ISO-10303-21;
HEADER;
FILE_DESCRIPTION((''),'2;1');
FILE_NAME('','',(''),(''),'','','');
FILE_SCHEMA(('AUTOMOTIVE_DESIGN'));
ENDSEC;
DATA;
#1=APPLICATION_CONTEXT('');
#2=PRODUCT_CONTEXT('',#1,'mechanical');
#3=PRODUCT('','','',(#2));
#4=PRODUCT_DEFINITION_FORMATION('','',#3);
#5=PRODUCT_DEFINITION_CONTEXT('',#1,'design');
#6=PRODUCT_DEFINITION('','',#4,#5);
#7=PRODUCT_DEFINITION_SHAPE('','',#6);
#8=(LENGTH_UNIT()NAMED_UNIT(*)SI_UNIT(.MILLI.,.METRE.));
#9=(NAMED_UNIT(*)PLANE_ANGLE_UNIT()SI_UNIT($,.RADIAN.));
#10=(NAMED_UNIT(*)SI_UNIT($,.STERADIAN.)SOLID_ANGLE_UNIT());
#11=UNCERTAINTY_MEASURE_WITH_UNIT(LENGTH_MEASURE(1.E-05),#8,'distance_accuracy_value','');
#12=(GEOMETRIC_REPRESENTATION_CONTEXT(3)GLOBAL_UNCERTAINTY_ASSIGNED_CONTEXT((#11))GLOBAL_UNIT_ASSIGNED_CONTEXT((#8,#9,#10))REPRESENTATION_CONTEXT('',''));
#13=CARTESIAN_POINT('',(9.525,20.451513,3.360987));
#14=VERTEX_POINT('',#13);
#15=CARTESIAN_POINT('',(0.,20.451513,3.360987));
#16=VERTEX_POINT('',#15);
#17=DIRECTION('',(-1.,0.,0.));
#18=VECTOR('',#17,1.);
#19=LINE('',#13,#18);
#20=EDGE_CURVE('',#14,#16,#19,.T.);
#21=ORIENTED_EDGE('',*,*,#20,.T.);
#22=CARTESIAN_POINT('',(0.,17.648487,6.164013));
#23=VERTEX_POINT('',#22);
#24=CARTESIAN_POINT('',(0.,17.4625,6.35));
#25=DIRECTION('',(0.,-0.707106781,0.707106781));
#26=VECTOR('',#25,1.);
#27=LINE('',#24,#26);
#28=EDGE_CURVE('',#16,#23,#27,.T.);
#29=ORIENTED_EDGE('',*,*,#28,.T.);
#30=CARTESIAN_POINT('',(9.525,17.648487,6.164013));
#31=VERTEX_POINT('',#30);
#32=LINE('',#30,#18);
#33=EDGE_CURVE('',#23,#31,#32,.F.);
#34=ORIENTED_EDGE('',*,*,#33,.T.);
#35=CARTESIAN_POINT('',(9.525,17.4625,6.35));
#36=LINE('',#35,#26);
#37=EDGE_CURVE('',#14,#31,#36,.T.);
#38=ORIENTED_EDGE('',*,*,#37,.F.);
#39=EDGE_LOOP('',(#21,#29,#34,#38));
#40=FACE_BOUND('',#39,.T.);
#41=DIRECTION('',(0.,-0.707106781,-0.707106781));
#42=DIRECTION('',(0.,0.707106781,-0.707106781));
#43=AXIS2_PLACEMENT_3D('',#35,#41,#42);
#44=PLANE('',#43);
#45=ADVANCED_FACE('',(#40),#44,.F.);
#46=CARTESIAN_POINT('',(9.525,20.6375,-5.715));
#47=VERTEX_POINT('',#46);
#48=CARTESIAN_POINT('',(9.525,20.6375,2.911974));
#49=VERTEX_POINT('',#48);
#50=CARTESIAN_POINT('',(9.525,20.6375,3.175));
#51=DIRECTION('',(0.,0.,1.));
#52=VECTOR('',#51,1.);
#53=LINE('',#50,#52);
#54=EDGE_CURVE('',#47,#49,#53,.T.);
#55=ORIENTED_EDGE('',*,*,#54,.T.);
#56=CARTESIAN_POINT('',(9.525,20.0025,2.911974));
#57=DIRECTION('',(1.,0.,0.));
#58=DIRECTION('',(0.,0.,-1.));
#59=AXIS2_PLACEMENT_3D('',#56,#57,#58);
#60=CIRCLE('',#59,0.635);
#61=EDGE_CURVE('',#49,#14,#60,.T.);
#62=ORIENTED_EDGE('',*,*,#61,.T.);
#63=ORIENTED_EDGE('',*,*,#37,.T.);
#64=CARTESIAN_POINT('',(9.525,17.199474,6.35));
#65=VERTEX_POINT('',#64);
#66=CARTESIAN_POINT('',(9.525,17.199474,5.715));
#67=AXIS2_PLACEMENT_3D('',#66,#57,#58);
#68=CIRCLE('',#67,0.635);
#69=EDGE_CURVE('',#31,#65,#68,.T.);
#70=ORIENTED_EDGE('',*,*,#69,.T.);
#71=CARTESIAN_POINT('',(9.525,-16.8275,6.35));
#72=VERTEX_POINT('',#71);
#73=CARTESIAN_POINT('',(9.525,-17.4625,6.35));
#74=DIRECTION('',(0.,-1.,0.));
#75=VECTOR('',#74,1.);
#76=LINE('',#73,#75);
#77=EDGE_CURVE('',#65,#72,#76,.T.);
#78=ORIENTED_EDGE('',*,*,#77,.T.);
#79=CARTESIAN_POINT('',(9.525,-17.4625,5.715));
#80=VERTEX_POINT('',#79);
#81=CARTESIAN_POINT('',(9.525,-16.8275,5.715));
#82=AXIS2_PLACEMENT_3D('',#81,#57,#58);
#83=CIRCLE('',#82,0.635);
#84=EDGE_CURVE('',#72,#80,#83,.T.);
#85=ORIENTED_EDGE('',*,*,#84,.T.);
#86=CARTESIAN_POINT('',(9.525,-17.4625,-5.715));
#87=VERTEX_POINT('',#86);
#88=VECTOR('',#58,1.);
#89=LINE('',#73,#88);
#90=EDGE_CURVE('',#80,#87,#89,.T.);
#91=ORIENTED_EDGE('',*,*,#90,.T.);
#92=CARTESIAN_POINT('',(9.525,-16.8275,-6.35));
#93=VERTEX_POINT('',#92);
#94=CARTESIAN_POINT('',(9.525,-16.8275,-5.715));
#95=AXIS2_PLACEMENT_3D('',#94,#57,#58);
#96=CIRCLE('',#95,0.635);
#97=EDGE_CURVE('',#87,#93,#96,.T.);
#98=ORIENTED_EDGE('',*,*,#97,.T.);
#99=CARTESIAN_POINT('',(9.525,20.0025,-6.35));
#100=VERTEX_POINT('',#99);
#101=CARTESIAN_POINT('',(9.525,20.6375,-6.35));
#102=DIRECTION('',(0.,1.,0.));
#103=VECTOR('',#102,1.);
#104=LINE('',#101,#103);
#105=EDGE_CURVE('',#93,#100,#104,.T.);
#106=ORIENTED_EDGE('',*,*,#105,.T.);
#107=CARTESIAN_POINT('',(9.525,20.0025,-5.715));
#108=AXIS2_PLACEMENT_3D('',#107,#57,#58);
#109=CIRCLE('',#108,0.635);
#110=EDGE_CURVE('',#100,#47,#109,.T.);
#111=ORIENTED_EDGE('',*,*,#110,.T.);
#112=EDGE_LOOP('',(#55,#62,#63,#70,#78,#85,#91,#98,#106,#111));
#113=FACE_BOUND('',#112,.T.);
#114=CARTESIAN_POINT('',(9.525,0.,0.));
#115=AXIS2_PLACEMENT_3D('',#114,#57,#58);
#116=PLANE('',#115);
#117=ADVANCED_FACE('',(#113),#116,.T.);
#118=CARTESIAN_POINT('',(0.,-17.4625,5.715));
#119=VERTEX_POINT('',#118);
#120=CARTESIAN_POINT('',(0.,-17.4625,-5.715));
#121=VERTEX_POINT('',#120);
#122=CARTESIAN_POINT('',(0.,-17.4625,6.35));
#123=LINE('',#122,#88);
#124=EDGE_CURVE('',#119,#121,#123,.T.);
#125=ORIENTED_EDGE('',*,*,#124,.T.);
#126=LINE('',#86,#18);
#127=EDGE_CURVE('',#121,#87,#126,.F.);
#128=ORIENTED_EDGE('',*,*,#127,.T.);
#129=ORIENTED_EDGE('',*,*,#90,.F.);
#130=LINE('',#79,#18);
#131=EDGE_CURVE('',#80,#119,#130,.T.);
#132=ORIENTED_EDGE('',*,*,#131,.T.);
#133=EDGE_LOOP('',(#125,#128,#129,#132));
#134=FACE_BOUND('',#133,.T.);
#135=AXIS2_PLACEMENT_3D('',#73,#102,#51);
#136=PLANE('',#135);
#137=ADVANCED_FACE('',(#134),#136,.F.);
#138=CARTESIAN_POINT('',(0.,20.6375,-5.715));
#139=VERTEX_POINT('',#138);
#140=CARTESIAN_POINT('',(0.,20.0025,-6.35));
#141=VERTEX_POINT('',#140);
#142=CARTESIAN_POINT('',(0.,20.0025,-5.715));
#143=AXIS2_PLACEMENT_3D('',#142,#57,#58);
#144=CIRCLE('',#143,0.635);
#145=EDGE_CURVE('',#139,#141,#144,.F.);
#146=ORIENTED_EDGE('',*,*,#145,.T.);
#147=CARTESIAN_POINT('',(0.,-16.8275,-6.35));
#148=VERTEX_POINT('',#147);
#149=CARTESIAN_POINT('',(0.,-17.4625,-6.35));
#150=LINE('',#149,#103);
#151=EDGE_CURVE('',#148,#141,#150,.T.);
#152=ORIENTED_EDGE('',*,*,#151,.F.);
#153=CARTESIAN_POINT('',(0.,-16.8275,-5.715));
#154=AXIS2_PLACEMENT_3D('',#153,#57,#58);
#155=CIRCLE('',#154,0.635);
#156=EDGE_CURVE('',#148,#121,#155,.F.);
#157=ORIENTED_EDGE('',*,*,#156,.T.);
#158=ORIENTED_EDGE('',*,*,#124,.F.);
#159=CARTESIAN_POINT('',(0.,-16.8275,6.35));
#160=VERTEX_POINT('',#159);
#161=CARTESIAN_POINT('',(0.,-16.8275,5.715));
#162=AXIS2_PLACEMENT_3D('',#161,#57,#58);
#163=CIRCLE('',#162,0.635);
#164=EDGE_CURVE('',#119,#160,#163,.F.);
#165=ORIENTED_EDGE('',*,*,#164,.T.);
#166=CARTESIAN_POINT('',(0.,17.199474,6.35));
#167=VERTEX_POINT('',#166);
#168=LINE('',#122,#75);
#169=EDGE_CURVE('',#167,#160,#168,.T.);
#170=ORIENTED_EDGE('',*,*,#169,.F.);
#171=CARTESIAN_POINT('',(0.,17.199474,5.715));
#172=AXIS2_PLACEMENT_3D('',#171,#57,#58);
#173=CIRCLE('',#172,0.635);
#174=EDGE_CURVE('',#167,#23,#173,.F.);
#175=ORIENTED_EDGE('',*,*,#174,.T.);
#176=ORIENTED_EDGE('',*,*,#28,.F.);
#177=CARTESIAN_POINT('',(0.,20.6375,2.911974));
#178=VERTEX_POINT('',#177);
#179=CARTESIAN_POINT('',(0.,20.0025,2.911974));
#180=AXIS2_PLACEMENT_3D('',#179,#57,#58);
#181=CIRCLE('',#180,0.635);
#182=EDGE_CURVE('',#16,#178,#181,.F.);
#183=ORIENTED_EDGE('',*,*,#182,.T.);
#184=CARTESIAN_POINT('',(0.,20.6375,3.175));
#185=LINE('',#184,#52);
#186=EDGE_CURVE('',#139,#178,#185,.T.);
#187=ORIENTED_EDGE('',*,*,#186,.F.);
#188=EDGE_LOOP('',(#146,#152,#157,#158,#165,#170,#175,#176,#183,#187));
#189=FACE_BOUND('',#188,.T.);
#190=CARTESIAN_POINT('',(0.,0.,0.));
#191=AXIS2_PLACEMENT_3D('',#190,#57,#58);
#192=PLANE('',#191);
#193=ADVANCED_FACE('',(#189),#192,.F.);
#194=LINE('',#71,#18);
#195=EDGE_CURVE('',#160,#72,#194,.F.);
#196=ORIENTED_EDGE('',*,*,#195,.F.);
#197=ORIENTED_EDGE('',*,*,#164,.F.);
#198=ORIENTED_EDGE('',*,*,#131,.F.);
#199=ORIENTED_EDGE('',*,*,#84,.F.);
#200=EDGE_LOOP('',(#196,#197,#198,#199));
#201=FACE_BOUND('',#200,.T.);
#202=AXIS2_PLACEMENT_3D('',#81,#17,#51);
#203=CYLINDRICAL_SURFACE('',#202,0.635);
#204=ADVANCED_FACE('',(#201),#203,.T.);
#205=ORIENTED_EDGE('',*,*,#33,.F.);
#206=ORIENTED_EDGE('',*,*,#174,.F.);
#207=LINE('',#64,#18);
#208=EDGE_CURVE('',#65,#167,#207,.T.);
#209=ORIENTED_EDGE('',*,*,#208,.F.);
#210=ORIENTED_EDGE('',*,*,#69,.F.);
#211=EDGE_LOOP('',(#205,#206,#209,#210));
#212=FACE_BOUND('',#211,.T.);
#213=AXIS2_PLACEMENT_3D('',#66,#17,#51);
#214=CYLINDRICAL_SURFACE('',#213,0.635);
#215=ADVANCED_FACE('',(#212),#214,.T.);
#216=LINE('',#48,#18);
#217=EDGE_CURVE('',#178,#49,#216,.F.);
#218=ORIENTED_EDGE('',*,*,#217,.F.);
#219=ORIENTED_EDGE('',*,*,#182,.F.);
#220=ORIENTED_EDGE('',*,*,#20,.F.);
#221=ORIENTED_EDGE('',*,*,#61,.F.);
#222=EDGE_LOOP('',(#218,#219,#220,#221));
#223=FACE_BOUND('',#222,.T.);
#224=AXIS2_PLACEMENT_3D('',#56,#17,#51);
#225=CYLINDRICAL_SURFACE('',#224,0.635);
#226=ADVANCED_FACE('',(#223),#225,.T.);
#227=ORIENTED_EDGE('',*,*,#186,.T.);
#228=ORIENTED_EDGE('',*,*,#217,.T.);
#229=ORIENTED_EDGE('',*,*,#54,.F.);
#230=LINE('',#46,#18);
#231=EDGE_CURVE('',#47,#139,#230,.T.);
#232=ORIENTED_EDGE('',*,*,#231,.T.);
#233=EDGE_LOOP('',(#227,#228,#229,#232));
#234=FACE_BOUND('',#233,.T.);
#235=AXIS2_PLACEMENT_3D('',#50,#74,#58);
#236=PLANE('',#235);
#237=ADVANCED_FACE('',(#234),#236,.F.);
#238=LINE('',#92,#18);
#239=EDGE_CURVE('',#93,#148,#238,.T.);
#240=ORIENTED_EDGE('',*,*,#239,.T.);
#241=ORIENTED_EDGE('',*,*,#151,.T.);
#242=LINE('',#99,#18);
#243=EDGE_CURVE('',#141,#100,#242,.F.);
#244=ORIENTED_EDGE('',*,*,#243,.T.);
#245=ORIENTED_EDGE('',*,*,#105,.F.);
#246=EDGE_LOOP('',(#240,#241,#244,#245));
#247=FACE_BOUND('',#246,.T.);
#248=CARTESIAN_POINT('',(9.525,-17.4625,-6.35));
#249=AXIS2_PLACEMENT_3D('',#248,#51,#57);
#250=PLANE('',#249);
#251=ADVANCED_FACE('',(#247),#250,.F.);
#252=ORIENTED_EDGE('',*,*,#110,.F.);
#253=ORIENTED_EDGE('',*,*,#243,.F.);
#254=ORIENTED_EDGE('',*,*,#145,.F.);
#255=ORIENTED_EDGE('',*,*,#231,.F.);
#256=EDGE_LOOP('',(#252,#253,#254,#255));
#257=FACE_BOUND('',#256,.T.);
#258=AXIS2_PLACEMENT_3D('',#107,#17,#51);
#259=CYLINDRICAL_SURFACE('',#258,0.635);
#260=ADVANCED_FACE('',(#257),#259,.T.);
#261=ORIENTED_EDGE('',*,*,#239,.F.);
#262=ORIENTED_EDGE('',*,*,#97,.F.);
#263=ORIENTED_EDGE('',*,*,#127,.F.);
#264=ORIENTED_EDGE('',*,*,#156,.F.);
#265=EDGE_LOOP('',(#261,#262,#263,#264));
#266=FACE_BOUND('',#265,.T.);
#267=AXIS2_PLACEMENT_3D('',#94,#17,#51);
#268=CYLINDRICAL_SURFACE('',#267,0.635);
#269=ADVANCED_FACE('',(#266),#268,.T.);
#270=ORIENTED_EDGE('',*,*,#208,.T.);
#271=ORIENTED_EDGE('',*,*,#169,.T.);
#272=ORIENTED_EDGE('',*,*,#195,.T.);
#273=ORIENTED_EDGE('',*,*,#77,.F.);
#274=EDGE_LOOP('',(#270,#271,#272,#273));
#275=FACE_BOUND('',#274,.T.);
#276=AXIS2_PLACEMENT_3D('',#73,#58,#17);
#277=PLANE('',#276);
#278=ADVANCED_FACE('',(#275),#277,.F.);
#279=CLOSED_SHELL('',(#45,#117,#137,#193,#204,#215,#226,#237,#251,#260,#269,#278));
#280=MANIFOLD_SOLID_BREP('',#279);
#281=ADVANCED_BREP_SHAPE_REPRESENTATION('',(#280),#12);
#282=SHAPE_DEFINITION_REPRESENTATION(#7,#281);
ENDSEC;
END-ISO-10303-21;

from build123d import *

# Parameters (mm, degrees)
BOSS_EXTRUDE1_DEPTH = 9.525
FILLET1_R           = 0.635


with BuildPart() as part:
    # Sketch1 → Boss-Extrude1 (new body)
    with BuildSketch(Plane(origin=(0, 0, 0), x_dir=(0, 0, -1), z_dir=(1, 0, 0))):
        Polygon((-6.35, 17.4625), (-3.175, 20.6375), (6.35, 20.6375), (6.35, 17.4625), (6.35, -17.4625), (-6.35, -17.4625), align=None)
    extrude(amount=BOSS_EXTRUDE1_DEPTH)

    # Fillet1
    fillet1_edges = [part.edges().sort_by_distance(p)[0] for p in [
        (4.7625, -17.4625, -6.35),
        (4.7625, -17.4625, 6.35),
        (4.7625, 17.4625, 6.35),
        (4.7625, 20.6375, 3.175),
        (4.7625, 20.6375, -6.35),
    ]]
    fillet(fillet1_edges, radius=FILLET1_R)


solid = part.part
